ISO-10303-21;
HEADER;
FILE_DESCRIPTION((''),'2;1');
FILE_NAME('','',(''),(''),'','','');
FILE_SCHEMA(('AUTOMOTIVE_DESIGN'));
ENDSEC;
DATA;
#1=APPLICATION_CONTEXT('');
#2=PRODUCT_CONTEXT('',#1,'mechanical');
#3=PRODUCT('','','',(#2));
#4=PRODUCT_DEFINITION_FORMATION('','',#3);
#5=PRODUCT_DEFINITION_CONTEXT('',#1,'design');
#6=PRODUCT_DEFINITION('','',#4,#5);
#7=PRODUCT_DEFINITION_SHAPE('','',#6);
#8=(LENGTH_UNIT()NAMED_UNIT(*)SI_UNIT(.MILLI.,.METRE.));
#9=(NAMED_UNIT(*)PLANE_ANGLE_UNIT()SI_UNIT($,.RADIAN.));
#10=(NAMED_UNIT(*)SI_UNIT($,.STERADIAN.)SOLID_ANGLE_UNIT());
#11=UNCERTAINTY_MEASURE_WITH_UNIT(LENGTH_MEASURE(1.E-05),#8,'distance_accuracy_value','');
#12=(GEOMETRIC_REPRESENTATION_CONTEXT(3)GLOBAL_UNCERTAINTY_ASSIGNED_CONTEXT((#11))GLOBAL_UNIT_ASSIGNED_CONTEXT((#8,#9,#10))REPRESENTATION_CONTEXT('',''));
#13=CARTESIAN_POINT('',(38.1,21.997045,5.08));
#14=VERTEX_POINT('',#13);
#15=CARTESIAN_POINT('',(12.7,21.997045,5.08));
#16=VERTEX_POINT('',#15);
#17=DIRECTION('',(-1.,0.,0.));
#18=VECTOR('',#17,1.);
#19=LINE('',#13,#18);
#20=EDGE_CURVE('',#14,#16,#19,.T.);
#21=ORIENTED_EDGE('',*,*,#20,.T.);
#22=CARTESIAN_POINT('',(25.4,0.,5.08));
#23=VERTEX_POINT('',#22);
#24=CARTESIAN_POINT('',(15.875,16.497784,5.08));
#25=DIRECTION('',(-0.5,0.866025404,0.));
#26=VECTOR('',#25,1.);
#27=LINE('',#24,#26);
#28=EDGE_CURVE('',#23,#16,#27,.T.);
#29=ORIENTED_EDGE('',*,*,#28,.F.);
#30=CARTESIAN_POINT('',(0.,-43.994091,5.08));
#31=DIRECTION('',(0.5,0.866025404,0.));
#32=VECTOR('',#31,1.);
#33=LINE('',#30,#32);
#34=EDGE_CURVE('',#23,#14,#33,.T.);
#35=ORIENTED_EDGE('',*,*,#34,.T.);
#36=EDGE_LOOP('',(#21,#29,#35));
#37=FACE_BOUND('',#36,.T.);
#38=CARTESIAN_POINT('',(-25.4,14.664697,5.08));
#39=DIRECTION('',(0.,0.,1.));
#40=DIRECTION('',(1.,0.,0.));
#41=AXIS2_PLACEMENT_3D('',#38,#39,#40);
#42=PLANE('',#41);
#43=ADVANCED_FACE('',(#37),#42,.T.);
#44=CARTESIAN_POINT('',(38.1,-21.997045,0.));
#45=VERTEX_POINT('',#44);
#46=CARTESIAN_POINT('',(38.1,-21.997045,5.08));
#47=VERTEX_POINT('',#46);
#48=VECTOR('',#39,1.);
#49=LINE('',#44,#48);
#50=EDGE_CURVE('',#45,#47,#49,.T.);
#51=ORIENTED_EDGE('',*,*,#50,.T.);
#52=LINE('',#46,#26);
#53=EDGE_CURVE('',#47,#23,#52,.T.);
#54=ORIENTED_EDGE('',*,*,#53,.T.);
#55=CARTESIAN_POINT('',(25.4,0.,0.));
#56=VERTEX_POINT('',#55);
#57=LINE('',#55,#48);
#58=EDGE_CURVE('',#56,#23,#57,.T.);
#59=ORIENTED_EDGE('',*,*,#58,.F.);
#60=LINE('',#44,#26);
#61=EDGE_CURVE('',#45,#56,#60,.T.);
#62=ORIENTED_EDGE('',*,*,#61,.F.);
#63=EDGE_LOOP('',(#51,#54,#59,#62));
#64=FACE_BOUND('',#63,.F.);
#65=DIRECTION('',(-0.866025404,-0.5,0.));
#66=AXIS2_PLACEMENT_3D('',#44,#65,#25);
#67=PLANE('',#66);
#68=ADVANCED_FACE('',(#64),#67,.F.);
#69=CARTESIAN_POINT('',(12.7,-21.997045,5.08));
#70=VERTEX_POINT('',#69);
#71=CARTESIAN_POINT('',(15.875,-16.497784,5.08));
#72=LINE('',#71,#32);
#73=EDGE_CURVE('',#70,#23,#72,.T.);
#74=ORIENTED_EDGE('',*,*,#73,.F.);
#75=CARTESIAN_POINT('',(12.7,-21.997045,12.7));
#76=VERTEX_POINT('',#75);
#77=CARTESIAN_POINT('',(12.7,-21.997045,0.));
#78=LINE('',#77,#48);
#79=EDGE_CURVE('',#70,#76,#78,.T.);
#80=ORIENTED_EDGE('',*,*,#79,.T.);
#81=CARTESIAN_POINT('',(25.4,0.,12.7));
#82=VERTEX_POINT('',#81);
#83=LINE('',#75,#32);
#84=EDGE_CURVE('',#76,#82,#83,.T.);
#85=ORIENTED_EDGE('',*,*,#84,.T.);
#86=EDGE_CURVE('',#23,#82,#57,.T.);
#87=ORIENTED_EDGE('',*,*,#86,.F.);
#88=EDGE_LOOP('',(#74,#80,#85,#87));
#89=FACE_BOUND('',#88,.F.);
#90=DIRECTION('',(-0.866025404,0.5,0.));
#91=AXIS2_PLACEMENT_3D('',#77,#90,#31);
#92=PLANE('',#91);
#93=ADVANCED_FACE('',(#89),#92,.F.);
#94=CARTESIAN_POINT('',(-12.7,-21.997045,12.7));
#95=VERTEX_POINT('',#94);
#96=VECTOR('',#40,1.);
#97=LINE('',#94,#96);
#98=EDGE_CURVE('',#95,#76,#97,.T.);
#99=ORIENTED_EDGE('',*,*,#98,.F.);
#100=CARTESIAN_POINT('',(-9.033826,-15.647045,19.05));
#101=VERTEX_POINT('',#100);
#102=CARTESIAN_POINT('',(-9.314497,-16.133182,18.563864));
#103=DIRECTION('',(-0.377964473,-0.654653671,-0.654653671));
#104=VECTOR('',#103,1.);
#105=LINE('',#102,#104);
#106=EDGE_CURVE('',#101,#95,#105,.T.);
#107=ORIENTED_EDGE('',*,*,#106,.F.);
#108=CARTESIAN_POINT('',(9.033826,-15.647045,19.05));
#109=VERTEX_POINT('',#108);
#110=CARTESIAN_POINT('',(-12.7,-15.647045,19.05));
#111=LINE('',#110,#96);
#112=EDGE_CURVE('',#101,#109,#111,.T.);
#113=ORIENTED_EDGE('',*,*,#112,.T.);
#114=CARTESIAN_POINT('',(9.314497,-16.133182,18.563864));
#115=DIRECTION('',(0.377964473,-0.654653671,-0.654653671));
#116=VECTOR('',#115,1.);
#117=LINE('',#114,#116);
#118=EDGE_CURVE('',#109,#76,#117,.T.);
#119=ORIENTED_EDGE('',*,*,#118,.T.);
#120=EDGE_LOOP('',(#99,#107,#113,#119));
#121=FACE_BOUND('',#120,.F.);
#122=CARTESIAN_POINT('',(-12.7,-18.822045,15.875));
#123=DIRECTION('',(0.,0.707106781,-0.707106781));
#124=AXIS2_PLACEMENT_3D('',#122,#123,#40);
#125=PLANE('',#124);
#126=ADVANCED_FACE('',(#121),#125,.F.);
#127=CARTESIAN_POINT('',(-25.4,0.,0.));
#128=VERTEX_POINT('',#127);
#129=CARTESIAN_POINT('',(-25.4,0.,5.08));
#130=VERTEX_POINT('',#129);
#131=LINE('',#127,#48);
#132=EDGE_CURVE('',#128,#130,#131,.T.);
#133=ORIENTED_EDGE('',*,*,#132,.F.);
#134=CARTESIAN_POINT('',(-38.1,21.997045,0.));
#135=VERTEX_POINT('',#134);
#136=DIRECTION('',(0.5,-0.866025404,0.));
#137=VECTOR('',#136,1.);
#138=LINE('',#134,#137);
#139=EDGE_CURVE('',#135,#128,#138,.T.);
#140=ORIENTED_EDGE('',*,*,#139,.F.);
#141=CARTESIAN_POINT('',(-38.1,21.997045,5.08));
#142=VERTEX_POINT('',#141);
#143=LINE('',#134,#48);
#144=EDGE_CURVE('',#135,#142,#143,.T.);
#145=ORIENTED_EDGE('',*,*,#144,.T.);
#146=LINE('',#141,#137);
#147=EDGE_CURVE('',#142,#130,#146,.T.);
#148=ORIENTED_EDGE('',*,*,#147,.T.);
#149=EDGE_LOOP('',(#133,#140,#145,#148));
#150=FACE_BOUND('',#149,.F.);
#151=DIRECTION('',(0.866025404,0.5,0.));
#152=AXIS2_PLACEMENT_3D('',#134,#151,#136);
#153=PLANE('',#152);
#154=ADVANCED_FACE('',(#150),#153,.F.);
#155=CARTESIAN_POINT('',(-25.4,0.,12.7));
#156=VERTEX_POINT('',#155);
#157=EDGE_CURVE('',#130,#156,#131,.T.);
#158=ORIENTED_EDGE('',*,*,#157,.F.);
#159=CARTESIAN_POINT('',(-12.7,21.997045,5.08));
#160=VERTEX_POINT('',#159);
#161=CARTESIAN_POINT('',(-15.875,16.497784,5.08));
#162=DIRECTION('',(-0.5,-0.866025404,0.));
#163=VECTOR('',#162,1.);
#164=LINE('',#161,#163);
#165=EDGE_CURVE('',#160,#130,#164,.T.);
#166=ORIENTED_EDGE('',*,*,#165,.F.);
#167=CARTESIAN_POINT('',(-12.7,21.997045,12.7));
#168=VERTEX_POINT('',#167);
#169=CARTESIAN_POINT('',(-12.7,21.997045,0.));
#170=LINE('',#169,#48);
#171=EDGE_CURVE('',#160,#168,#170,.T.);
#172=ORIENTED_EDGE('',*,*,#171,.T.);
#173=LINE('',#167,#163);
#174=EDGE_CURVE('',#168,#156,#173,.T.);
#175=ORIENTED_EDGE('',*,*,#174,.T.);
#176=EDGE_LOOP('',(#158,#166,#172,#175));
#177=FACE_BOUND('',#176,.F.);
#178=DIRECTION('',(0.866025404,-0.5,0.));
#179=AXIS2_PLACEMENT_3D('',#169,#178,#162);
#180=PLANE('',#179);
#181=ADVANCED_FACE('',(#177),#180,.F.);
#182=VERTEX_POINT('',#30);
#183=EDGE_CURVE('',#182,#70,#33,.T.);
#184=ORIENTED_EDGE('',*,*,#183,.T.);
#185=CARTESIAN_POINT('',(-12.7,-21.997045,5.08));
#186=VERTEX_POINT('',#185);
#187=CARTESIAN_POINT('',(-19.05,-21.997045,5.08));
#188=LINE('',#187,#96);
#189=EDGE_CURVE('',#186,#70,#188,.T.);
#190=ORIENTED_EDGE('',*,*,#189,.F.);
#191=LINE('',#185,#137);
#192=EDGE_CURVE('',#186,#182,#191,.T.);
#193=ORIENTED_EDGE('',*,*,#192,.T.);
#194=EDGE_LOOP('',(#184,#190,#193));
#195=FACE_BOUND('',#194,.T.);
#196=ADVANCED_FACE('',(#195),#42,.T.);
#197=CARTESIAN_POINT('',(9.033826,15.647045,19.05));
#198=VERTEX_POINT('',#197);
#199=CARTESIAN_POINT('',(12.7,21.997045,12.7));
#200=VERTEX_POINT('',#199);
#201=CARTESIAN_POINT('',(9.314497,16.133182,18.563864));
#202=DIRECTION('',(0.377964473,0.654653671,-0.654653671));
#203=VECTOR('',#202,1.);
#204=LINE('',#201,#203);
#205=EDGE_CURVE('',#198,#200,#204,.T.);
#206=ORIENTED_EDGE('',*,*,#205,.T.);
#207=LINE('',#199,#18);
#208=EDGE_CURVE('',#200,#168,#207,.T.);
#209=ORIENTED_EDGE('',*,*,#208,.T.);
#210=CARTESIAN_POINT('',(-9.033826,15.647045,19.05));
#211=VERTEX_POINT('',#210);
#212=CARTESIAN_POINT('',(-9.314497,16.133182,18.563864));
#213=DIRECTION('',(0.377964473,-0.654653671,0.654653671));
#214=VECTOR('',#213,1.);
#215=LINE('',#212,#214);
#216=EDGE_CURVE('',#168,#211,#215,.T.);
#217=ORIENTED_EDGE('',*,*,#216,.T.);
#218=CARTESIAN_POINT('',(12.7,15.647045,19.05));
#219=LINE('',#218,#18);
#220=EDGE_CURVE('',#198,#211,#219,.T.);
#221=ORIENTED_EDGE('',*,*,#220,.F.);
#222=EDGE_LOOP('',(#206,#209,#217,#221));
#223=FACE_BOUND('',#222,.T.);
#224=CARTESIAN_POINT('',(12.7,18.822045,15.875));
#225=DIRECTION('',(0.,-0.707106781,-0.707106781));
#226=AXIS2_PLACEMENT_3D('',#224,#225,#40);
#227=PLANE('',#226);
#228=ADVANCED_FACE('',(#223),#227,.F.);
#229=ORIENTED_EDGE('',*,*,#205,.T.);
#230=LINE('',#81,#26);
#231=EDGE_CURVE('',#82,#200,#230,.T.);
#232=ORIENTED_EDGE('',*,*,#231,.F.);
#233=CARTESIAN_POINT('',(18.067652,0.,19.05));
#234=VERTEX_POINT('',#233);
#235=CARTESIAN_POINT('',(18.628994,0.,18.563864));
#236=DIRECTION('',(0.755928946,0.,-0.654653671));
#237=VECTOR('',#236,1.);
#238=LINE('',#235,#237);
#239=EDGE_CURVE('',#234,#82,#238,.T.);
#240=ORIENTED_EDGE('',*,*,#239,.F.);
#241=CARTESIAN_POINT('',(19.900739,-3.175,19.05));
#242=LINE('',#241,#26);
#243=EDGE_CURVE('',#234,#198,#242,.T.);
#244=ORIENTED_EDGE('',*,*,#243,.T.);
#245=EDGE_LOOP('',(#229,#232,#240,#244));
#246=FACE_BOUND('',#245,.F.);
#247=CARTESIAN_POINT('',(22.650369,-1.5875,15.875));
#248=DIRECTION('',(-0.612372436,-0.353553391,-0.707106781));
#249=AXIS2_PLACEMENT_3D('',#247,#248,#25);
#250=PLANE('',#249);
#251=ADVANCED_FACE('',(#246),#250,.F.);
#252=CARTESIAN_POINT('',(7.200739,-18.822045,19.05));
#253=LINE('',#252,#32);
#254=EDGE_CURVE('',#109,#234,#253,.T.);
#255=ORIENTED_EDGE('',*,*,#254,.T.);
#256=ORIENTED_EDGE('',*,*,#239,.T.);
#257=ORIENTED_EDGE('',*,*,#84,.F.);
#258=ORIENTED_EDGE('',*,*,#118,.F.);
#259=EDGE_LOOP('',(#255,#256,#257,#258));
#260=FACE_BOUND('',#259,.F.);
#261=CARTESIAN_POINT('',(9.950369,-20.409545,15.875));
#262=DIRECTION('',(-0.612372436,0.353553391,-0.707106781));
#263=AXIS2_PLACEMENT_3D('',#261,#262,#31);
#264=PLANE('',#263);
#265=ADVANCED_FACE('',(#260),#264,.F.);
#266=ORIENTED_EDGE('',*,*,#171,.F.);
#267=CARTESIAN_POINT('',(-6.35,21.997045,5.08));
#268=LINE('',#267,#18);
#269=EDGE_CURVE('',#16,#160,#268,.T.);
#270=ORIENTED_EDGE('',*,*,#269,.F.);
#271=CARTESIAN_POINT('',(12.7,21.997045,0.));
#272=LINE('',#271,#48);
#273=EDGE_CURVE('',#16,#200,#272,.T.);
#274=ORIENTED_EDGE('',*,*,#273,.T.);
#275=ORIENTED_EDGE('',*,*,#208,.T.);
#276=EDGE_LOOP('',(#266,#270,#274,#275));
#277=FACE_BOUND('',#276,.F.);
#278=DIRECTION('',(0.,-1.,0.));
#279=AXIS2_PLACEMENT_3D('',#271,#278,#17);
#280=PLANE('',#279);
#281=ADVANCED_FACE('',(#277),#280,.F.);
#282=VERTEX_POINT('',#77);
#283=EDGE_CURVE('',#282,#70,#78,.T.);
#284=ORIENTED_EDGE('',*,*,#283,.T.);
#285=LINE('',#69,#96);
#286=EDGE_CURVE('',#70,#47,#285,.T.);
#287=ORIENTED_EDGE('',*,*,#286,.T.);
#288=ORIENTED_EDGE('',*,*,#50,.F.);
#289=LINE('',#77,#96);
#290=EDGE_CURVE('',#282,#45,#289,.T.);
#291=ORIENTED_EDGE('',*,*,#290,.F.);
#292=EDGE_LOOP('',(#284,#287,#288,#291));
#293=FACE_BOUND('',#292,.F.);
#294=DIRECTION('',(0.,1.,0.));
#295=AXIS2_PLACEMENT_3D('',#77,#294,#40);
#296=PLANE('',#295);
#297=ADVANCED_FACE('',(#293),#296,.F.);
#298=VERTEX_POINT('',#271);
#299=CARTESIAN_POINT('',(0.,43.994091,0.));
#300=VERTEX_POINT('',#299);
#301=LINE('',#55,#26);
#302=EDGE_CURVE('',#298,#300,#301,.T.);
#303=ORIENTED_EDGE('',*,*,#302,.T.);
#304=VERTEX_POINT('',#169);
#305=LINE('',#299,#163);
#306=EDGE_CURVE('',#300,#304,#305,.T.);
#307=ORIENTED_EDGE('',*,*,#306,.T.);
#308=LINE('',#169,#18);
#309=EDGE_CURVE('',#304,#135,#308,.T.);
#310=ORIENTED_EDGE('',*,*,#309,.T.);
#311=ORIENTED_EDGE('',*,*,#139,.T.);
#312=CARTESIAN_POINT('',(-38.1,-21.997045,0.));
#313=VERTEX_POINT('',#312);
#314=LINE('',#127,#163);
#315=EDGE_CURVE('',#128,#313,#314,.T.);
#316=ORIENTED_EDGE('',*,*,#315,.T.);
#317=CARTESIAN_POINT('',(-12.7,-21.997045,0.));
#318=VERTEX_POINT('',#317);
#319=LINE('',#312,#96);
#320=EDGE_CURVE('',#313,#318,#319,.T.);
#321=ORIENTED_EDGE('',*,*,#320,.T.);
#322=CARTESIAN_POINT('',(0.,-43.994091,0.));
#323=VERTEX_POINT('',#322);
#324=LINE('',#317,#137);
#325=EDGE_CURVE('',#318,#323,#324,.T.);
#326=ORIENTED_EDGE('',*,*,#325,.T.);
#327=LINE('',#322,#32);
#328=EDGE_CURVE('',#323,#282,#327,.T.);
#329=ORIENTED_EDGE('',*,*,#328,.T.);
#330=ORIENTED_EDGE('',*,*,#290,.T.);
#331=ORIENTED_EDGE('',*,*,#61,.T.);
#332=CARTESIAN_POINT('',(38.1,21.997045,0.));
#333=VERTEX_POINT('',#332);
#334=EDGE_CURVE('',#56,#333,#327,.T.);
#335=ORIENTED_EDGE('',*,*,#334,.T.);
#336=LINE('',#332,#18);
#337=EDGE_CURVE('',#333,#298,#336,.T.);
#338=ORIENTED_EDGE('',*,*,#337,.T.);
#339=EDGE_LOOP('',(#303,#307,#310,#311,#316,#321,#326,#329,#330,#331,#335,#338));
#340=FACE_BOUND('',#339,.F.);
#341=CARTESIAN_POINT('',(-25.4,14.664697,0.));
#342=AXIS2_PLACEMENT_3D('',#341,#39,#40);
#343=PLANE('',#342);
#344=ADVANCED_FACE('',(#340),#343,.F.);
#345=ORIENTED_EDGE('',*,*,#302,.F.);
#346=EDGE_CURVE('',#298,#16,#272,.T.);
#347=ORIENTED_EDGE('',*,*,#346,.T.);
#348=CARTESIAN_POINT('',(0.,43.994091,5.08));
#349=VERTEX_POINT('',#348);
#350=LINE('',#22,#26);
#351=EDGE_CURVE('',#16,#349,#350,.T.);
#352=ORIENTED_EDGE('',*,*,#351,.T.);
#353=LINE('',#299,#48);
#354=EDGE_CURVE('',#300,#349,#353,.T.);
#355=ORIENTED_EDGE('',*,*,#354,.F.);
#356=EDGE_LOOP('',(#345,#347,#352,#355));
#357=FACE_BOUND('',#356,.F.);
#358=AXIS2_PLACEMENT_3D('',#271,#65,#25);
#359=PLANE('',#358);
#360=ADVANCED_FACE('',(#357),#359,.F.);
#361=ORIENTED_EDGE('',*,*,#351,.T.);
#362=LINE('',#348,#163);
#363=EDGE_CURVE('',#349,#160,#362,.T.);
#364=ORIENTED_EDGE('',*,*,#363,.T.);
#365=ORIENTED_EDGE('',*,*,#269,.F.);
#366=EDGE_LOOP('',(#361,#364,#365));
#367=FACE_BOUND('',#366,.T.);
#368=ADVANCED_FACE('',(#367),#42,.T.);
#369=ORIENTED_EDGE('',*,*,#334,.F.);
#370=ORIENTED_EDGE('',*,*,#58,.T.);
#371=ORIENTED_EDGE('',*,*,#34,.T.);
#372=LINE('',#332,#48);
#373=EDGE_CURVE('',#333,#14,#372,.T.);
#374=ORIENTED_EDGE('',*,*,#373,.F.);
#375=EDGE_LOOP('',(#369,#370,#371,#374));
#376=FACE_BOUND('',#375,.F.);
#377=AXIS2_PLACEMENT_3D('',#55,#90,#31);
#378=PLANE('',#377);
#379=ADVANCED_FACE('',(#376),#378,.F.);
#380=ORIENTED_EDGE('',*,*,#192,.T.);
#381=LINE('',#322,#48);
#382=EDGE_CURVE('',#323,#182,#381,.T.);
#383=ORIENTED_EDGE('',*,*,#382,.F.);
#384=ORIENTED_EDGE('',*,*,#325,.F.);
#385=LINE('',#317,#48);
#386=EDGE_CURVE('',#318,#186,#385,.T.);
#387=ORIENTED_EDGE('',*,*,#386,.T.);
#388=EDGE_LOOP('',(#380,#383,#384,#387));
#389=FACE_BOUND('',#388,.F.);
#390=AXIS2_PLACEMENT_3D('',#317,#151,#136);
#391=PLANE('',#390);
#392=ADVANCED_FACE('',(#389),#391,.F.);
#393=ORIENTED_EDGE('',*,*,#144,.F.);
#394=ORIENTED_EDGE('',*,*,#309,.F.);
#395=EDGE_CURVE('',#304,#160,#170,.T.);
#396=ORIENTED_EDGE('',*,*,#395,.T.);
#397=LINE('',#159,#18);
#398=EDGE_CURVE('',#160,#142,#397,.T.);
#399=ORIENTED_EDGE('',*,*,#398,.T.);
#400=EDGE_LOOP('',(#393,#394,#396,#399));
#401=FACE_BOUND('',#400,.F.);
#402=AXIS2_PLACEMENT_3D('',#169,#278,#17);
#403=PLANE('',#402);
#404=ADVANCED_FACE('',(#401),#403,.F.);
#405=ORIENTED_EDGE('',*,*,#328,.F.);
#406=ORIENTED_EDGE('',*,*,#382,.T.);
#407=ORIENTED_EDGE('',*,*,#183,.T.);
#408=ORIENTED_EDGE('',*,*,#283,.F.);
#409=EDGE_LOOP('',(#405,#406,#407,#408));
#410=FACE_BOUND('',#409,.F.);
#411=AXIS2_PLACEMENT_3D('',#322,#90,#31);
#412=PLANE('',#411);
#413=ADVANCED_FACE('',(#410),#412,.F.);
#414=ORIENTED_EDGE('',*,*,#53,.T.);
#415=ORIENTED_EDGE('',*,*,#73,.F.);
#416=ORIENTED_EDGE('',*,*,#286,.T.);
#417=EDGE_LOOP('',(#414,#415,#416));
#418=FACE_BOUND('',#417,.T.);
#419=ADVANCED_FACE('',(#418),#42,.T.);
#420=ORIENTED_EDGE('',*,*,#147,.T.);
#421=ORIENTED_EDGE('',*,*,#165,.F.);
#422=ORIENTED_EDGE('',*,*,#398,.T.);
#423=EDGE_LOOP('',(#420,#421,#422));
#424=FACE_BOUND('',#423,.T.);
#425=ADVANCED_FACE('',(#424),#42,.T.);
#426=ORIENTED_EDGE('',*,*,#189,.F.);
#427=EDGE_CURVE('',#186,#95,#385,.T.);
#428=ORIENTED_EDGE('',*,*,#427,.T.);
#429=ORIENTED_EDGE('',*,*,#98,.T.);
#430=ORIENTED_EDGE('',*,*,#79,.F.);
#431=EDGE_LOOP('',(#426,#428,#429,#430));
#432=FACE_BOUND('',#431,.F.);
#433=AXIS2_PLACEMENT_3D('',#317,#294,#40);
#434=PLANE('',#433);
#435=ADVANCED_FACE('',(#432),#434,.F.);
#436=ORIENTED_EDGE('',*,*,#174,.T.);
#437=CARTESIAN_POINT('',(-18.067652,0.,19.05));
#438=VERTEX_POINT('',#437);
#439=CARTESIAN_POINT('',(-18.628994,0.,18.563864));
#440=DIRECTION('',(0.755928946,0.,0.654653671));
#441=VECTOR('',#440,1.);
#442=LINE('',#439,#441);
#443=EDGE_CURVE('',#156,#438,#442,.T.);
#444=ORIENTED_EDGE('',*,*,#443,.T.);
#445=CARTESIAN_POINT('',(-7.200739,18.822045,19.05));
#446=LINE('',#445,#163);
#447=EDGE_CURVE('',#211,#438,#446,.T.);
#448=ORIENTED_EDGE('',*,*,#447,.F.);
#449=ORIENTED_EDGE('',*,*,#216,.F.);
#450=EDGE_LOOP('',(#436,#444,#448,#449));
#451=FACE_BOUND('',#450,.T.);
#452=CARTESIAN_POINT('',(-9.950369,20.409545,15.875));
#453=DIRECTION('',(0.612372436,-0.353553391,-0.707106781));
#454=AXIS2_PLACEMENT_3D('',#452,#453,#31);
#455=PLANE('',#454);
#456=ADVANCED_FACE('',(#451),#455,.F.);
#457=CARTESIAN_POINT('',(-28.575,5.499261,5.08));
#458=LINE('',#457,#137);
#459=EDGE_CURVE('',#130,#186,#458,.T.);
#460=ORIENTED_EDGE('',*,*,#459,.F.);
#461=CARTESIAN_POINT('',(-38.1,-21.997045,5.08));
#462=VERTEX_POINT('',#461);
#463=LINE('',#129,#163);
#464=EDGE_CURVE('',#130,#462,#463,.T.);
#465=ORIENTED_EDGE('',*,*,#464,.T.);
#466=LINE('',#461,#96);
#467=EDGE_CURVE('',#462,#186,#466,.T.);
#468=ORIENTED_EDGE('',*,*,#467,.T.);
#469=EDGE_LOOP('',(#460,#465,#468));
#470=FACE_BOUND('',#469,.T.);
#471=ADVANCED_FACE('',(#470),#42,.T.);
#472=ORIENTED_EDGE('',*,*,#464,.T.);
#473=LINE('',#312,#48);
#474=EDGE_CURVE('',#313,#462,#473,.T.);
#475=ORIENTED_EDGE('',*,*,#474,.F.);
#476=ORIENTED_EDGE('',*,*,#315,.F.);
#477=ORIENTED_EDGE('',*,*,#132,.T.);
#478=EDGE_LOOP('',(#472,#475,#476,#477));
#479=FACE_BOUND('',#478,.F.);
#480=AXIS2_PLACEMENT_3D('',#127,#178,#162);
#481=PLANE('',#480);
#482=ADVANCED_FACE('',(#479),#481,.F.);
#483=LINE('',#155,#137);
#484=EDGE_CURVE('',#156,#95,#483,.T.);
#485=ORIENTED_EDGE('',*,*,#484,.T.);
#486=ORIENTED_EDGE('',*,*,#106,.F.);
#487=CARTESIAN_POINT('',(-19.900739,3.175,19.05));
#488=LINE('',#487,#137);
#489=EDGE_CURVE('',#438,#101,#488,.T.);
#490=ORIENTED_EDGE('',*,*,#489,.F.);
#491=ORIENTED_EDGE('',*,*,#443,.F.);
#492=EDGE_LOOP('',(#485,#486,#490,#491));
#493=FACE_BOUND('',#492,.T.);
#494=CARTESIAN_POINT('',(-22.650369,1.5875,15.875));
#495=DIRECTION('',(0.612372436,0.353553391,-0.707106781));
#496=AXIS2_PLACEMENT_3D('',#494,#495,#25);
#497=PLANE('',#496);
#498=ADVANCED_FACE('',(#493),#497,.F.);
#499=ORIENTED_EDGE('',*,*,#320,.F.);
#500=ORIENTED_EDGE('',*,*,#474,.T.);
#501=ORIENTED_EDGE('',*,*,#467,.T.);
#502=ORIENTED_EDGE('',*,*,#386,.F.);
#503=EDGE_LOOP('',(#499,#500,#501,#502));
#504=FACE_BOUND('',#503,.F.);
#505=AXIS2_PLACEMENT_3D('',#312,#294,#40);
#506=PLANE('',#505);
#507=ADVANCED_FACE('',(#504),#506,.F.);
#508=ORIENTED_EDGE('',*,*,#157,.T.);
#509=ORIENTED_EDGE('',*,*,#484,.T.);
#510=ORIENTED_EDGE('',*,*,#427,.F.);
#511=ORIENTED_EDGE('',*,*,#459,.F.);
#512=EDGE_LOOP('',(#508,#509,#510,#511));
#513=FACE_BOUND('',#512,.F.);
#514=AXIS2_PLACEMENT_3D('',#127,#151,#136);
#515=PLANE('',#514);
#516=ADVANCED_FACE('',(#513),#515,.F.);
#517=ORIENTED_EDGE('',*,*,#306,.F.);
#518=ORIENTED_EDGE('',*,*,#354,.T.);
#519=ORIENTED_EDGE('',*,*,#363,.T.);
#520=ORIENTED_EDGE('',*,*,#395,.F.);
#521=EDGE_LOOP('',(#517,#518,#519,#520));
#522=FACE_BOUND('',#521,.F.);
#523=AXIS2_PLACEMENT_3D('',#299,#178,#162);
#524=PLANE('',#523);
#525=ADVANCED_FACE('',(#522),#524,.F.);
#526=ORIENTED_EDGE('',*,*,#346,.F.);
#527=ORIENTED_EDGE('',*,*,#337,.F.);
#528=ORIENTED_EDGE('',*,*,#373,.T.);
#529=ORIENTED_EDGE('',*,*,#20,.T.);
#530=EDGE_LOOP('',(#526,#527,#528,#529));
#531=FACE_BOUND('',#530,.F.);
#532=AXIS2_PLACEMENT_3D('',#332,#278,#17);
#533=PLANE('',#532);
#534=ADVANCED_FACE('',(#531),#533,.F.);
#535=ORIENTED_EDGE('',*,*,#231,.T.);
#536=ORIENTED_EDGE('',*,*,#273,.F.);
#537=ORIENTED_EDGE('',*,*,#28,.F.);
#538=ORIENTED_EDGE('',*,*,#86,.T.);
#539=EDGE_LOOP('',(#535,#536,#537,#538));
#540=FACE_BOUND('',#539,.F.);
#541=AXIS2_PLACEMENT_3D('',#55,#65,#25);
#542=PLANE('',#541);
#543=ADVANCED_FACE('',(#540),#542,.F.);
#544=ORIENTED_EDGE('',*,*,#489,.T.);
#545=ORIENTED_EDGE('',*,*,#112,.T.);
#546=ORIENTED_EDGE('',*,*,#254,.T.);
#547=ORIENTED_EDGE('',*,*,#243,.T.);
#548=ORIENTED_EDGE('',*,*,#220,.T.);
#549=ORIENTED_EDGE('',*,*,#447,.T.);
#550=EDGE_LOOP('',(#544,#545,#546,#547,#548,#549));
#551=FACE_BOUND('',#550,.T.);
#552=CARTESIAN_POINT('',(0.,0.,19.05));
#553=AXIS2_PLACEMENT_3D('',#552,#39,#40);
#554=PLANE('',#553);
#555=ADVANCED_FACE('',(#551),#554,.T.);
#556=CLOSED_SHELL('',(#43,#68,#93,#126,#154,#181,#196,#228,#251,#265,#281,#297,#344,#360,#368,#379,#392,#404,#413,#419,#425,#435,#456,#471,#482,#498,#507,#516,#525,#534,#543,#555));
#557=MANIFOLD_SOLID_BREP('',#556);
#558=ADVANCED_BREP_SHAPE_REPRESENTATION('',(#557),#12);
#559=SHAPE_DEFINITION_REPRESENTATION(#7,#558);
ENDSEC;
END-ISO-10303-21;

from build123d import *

# Parameters (mm, degrees)
F1_DEPTH = 19.05
F2_DEPTH = 5.08
F3_SIZE  = 6.35


with BuildPart() as f1:
    # F0 (on Top) → F1 (new body)
    with BuildSketch(Plane.XY):
        Polygon((12.7, 21.9970452561), (-12.7, 21.9970452561), (-25.4, 0), (-12.7, -21.9970452561), (12.7, -21.9970452561), (25.4, 0), align=None)
    extrude(amount=F1_DEPTH)

    # F0 (on Top) → F2 (join)
    with BuildSketch(Plane.XY):
        Polygon((-12.7, 21.9970452561), (-38.1, 21.9970452561), (-25.4, 0), align=None)
        Polygon((0, 43.9940905122), (-12.7, 21.9970452561), (12.7, 21.9970452561), align=None)
        Polygon((12.7, 21.9970452561), (-12.7, 21.9970452561), (-25.4, 0), (-12.7, -21.9970452561), (12.7, -21.9970452561), (25.4, 0), align=None)
        Polygon((-12.7, -21.9970452561), (-25.4, 0), (-38.1, -21.9970452561), align=None)
        Polygon((38.1, 21.9970452561), (12.7, 21.9970452561), (25.4, 0), align=None)
        Polygon((12.7, -21.9970452561), (-12.7, -21.9970452561), (0, -43.9940905122), align=None)
        Polygon((38.1, -21.9970452561), (25.4, 0), (12.7, -21.9970452561), align=None)
    extrude(amount=F2_DEPTH)

    # F3
    f3_edges = [f1.edges().sort_by_distance(p)[0] for p in [
        (0, -21.997045, 19.05),
        (19.05, -10.998523, 19.05),
        (19.05, 10.998523, 19.05),
        (0, 21.997045, 19.05),
        (-19.05, 10.998523, 19.05),
        (-19.05, -10.998523, 19.05),
    ]]
    chamfer(f3_edges, length=F3_SIZE)


solid = f1.part
